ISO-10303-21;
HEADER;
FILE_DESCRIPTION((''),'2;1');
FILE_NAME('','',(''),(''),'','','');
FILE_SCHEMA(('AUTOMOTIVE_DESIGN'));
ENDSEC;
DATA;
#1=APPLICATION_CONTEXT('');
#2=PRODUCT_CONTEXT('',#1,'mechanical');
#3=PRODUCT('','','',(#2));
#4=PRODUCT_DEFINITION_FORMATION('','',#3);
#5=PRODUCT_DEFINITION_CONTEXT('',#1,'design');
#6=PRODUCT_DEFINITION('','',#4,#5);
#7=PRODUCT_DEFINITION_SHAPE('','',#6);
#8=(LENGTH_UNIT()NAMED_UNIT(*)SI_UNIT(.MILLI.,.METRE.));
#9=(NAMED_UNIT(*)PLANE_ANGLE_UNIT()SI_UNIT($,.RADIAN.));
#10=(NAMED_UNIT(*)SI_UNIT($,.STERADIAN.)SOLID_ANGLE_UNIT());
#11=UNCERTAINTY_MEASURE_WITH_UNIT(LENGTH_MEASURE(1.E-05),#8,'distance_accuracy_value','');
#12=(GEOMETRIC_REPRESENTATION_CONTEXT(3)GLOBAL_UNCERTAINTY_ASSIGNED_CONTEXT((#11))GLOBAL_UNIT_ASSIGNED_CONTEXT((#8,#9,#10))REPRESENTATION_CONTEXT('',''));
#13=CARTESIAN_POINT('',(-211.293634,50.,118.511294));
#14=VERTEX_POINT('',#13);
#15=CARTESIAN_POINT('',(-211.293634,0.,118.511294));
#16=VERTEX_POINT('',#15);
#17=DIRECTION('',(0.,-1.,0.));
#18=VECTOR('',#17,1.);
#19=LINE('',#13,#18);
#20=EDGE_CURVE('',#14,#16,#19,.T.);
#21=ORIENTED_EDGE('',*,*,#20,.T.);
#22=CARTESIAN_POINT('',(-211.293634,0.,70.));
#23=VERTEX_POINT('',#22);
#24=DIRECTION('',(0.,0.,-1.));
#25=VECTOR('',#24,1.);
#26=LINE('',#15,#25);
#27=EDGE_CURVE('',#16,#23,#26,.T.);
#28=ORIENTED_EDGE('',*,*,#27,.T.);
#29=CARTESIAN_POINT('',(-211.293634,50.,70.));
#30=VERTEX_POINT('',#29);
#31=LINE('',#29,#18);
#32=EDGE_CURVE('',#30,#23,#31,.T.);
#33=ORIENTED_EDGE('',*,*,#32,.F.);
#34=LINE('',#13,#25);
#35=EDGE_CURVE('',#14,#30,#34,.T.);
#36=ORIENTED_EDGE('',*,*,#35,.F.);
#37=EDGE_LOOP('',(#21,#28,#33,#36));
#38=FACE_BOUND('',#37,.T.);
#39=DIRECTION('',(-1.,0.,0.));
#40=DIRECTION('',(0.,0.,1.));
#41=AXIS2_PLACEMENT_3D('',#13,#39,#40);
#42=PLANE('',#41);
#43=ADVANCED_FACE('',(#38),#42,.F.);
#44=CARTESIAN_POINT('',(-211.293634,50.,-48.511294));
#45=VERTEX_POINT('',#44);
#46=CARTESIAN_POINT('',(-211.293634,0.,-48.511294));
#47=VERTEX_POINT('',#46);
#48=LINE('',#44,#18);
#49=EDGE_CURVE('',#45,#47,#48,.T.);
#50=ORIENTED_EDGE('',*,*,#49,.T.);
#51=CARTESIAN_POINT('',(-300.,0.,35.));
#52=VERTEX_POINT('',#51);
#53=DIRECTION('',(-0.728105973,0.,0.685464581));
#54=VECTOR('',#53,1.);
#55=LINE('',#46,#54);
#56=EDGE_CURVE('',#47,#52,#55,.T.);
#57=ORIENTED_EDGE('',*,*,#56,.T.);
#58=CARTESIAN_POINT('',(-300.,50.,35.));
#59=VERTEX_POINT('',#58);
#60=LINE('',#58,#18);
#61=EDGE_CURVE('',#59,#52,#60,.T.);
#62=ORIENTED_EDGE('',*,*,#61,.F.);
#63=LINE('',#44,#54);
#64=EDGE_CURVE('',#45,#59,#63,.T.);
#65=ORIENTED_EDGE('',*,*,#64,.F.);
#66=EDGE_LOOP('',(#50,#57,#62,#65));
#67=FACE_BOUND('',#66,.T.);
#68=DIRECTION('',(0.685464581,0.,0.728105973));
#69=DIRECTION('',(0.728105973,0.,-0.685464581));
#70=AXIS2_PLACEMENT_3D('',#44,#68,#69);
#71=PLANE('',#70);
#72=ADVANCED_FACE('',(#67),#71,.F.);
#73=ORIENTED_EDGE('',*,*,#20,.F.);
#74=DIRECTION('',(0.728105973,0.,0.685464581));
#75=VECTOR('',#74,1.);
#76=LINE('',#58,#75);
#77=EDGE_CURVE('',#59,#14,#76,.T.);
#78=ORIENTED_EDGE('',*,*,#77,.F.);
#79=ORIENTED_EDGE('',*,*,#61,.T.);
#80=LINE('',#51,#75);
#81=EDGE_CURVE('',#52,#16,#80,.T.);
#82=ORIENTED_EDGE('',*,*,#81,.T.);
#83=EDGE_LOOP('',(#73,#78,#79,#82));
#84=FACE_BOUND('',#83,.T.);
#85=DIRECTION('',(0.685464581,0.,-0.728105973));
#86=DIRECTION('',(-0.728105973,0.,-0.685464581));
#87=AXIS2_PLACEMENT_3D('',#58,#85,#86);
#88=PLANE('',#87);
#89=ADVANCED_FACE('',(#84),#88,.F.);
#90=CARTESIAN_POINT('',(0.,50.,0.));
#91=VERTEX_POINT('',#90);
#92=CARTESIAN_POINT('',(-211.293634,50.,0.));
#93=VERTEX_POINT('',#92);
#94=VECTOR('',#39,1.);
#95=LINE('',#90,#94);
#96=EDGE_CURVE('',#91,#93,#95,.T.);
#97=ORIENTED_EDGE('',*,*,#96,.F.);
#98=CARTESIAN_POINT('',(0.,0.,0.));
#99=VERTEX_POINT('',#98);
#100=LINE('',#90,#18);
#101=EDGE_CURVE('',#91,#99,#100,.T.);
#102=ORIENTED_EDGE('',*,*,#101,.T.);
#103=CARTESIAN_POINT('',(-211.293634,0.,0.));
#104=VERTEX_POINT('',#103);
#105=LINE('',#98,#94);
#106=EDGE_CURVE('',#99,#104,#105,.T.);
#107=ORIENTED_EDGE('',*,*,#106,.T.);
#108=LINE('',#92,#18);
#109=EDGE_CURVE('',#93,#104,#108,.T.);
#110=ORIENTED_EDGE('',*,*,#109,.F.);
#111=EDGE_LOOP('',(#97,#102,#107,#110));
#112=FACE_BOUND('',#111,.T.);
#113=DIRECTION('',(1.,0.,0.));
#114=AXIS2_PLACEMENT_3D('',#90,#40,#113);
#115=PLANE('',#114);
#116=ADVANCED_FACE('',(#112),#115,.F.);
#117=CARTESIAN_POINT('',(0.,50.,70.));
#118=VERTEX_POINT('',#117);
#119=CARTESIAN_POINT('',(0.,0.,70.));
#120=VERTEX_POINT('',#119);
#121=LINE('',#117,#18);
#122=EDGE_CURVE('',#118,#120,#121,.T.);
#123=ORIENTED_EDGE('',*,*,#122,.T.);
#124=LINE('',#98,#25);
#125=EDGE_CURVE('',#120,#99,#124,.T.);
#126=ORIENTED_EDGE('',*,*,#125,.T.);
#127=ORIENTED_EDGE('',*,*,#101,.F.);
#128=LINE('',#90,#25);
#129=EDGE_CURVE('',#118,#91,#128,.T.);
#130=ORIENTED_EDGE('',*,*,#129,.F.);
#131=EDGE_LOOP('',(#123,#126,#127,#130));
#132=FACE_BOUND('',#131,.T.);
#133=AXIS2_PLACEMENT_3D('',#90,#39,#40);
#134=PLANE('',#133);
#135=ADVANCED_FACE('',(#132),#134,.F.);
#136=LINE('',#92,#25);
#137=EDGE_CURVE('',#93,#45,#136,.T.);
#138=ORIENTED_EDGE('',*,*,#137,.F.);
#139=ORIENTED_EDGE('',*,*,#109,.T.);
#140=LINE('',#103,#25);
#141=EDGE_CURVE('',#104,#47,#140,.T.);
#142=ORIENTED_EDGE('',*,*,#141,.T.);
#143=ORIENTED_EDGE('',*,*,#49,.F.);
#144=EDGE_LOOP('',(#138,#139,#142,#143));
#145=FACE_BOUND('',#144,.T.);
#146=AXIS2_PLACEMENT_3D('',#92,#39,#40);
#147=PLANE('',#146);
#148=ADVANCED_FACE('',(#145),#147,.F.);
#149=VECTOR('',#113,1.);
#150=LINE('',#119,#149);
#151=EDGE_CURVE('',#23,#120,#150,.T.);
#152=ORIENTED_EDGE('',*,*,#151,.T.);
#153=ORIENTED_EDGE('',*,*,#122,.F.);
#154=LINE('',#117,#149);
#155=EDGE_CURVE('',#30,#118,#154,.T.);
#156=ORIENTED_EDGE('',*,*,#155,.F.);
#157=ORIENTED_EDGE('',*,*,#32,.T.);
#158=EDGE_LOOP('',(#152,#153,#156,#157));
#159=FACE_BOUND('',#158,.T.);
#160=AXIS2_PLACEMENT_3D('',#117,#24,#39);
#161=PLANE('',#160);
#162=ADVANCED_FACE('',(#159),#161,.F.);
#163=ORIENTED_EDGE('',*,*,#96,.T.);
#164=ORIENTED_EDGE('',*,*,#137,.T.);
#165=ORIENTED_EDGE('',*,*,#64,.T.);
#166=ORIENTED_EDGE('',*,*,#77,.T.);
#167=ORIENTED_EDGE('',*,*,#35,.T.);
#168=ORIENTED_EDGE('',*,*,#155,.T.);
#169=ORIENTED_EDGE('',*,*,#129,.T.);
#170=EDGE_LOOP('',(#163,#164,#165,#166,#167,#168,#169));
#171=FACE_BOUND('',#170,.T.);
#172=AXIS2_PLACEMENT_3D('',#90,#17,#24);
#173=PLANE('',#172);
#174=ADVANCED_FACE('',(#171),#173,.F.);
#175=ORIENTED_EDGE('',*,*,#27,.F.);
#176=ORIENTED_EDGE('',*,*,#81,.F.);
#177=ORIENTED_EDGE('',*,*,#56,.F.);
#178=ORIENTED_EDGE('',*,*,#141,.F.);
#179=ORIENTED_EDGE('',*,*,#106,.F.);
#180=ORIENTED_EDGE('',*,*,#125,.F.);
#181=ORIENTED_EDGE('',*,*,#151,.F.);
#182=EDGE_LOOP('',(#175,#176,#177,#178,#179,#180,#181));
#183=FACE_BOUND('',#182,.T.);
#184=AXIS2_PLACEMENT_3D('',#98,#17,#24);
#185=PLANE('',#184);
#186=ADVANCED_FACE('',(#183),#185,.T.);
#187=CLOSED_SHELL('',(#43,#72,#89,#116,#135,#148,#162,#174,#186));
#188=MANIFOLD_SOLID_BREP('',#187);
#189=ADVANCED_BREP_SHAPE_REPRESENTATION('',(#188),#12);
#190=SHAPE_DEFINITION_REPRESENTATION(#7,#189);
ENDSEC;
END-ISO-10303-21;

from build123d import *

# Parameters (mm, degrees)
BOSS_EXTRUDE1_DEPTH = 50


with BuildPart() as part:
    # Sketch1 → Boss-Extrude1 (new body)
    with BuildSketch(Plane(origin=(0, 0, 0), x_dir=(1, 0, 0), z_dir=(0, 1, 0))):
        Polygon((-211.293634497, 0), (-211.293634497, 48.511293634), (-300, -35), (-211.293634497, -118.511293634), (-211.293634497, -70), (0, -70), (0, 0), align=None)
    extrude(amount=BOSS_EXTRUDE1_DEPTH)


solid = part.part
